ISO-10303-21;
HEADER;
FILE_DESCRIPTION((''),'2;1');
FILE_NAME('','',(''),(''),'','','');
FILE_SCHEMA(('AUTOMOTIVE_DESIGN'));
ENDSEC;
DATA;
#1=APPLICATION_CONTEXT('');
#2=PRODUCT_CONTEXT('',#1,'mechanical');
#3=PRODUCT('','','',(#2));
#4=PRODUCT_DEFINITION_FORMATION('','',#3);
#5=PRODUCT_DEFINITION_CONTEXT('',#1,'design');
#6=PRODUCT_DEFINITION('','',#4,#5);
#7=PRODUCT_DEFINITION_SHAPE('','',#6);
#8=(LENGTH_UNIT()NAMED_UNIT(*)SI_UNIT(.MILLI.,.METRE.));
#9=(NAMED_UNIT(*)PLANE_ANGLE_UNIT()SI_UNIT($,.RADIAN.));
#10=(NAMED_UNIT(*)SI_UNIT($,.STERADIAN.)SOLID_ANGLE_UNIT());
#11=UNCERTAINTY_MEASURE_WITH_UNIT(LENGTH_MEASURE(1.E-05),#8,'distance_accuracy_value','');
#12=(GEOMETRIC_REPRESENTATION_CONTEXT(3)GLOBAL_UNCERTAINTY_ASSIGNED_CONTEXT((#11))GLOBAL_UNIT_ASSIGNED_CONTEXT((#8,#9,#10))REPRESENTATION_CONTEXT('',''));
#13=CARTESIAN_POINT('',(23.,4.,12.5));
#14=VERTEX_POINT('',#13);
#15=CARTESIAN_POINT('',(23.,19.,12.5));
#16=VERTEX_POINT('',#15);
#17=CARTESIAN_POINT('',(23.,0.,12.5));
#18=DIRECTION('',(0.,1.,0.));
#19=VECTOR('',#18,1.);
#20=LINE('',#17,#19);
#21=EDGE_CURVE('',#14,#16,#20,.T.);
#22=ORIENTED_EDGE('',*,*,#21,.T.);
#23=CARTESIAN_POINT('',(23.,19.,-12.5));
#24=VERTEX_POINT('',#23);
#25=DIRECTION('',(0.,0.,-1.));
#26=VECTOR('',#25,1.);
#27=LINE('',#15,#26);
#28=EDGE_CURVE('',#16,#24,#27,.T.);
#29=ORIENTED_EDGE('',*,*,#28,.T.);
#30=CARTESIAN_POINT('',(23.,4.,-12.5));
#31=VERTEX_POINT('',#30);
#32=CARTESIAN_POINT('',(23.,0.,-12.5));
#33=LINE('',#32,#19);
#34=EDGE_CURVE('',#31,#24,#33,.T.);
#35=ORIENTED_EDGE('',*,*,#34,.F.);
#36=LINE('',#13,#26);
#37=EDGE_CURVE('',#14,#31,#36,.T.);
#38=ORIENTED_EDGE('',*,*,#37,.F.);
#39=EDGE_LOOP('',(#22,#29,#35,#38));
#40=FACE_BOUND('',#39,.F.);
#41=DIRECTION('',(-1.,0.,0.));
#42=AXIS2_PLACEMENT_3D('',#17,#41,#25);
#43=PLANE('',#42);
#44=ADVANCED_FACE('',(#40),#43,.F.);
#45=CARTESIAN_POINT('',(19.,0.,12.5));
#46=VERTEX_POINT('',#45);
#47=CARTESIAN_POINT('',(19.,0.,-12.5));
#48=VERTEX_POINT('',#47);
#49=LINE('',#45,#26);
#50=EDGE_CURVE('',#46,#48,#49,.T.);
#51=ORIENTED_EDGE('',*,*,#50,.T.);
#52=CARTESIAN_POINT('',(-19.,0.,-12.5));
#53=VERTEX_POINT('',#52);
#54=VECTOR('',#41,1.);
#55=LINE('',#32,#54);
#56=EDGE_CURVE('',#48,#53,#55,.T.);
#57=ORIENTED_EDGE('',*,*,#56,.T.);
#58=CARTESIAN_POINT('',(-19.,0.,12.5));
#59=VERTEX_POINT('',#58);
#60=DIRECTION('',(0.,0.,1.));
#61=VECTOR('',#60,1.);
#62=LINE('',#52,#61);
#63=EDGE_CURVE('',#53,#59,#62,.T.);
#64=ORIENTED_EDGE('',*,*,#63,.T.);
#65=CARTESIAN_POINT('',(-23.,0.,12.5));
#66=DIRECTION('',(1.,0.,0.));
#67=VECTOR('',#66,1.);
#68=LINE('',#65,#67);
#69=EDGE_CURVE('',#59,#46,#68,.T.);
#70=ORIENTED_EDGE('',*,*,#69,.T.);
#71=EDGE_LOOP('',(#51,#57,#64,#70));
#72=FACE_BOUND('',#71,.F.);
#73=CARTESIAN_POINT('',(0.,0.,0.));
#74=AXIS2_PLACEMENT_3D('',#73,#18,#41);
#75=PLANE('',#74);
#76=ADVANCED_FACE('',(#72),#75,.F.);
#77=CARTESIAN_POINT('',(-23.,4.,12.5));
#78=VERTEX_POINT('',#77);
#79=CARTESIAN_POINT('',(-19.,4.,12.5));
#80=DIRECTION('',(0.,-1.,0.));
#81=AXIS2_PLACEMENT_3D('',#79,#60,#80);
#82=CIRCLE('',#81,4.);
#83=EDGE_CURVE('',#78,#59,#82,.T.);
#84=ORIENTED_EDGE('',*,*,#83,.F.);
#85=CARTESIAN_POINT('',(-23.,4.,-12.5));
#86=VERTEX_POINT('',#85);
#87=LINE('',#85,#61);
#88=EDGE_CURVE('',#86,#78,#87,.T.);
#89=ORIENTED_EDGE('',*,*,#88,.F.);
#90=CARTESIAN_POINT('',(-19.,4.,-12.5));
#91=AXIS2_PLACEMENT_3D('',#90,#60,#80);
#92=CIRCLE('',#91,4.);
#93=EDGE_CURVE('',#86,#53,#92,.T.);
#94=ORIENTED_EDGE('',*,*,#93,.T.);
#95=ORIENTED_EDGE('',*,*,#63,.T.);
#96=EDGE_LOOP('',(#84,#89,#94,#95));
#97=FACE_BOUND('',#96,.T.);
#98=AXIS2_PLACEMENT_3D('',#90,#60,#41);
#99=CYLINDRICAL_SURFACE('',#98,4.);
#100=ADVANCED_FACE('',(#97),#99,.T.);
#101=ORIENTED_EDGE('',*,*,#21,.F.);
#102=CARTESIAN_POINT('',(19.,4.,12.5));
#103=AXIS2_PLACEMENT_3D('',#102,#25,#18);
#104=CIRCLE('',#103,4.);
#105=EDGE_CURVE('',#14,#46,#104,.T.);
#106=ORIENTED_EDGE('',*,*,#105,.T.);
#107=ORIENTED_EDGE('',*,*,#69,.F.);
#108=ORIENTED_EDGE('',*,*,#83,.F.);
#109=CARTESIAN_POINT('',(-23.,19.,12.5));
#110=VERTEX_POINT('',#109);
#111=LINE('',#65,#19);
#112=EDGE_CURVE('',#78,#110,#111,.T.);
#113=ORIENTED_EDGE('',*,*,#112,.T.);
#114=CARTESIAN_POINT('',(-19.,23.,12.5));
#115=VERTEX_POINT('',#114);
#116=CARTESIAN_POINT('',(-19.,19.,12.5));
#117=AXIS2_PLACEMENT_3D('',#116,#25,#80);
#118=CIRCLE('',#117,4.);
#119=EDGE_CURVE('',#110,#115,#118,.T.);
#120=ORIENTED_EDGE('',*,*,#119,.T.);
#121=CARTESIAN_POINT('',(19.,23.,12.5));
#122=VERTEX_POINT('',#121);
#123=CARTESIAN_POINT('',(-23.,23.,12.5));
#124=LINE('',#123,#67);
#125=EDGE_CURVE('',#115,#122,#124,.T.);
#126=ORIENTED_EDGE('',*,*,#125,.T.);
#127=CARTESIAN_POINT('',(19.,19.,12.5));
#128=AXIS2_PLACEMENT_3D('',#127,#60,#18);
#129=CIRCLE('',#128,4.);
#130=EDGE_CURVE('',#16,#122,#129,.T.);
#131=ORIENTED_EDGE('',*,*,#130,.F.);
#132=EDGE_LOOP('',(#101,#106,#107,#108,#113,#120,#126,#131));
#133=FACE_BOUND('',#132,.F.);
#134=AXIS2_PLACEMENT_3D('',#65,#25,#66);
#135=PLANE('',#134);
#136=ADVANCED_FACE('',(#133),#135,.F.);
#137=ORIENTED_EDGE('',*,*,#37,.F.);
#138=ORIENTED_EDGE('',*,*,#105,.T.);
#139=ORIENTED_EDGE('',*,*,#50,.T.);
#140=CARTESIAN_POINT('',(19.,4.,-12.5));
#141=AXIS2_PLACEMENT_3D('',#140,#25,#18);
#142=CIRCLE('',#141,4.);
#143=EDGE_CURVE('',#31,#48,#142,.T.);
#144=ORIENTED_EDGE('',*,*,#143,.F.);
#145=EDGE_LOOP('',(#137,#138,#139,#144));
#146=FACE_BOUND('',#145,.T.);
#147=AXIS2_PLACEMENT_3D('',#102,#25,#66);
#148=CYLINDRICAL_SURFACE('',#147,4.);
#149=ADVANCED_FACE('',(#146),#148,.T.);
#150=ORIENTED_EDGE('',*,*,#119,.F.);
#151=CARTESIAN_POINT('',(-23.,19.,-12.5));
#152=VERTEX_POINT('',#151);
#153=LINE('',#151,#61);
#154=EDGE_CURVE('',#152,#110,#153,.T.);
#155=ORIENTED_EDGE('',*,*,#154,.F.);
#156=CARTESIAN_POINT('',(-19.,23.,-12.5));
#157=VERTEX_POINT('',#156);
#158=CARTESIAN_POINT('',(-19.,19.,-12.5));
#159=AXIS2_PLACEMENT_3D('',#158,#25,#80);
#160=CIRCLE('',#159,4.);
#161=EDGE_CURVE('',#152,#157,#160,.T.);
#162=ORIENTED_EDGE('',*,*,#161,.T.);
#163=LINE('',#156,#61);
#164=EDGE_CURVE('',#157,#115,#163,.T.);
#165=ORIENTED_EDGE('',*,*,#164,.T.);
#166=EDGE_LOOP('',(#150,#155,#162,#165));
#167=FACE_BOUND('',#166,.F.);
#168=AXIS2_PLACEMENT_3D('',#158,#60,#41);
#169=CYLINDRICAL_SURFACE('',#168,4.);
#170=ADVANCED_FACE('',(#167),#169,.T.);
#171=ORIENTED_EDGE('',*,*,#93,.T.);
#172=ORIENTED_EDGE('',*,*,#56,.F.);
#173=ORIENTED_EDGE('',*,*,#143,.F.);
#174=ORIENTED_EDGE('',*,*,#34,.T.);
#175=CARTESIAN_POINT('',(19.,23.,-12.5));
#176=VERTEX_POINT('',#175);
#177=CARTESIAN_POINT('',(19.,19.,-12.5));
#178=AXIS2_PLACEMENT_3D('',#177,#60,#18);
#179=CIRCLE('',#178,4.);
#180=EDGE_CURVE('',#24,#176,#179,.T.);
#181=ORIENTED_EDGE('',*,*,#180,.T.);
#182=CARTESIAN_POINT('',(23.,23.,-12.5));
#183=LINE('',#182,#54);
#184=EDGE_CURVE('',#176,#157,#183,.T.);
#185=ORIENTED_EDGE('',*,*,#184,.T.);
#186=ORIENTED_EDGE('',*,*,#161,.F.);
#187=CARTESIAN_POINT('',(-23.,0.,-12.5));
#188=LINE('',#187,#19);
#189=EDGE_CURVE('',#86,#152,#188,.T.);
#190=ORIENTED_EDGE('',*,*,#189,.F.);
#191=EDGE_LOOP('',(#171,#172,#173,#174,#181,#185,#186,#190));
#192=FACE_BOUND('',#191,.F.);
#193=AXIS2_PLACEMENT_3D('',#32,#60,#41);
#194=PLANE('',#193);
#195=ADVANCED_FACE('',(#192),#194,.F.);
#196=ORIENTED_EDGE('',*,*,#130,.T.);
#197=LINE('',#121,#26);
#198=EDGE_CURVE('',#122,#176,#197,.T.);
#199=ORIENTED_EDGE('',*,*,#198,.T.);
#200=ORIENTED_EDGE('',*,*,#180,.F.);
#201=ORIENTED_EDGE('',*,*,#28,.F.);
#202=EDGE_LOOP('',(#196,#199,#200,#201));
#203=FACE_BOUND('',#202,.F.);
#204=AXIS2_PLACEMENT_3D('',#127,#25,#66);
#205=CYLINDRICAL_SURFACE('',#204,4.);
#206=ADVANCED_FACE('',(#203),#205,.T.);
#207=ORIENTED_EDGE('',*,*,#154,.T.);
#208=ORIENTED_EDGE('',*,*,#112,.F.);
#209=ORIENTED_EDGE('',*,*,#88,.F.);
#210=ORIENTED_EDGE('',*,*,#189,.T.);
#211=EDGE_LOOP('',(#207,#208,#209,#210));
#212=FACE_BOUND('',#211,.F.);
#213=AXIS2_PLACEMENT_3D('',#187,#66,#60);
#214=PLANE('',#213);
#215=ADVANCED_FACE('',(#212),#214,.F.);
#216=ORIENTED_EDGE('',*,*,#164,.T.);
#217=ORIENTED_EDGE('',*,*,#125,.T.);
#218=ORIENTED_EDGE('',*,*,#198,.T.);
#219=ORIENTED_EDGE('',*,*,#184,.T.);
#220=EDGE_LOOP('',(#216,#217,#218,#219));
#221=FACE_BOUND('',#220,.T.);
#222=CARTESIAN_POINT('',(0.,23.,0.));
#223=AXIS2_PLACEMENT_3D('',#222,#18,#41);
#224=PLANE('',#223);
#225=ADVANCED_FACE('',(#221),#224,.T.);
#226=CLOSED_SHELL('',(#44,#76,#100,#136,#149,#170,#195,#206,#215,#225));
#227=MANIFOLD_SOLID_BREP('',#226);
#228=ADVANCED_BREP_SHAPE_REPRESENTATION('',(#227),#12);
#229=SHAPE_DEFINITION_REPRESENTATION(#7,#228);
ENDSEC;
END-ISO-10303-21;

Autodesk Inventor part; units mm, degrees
ref_plane "YZ Plane" through (0, 0, 0) normal (1, 0, 0) x (0, 1, 0)
ref_plane "XZ Plane" through (0, 0, 0) normal (0, 1, 0) x (-1, 0, 0)
ref_plane "XY Plane" through (0, 0, 0) normal (0, 0, 1) x (1, 0, 0)
sketch "Sketch1" plane through (0, 0, 0) normal (0, 1, 0) x (-1, 0, 0)
  line L0 (23, 12.5) -> (-23, 12.5)
  line L1 (-23, 12.5) -> (-23, -12.5)
  line L2 (-23, -12.5) -> (23, -12.5)
  line L3 (23, -12.5) -> (23, 12.5)
  line L4 (23, 12.5) -> (-23, -12.5) construction
  line L5 (-23, 12.5) -> (23, -12.5) construction
  point P0 (0, 0)
  dimension "d0" = 46
  dimension "d1" = 25
extrude "Extrusion1" add sketch "Sketch1" along normal blind 23
fillet "Fillet1" radius 4 4 edges at (23, 23, 0) (23, 0, 0) (-23, 23, 0) (-23, 0, 0)
properties part number "BatteryV1"
